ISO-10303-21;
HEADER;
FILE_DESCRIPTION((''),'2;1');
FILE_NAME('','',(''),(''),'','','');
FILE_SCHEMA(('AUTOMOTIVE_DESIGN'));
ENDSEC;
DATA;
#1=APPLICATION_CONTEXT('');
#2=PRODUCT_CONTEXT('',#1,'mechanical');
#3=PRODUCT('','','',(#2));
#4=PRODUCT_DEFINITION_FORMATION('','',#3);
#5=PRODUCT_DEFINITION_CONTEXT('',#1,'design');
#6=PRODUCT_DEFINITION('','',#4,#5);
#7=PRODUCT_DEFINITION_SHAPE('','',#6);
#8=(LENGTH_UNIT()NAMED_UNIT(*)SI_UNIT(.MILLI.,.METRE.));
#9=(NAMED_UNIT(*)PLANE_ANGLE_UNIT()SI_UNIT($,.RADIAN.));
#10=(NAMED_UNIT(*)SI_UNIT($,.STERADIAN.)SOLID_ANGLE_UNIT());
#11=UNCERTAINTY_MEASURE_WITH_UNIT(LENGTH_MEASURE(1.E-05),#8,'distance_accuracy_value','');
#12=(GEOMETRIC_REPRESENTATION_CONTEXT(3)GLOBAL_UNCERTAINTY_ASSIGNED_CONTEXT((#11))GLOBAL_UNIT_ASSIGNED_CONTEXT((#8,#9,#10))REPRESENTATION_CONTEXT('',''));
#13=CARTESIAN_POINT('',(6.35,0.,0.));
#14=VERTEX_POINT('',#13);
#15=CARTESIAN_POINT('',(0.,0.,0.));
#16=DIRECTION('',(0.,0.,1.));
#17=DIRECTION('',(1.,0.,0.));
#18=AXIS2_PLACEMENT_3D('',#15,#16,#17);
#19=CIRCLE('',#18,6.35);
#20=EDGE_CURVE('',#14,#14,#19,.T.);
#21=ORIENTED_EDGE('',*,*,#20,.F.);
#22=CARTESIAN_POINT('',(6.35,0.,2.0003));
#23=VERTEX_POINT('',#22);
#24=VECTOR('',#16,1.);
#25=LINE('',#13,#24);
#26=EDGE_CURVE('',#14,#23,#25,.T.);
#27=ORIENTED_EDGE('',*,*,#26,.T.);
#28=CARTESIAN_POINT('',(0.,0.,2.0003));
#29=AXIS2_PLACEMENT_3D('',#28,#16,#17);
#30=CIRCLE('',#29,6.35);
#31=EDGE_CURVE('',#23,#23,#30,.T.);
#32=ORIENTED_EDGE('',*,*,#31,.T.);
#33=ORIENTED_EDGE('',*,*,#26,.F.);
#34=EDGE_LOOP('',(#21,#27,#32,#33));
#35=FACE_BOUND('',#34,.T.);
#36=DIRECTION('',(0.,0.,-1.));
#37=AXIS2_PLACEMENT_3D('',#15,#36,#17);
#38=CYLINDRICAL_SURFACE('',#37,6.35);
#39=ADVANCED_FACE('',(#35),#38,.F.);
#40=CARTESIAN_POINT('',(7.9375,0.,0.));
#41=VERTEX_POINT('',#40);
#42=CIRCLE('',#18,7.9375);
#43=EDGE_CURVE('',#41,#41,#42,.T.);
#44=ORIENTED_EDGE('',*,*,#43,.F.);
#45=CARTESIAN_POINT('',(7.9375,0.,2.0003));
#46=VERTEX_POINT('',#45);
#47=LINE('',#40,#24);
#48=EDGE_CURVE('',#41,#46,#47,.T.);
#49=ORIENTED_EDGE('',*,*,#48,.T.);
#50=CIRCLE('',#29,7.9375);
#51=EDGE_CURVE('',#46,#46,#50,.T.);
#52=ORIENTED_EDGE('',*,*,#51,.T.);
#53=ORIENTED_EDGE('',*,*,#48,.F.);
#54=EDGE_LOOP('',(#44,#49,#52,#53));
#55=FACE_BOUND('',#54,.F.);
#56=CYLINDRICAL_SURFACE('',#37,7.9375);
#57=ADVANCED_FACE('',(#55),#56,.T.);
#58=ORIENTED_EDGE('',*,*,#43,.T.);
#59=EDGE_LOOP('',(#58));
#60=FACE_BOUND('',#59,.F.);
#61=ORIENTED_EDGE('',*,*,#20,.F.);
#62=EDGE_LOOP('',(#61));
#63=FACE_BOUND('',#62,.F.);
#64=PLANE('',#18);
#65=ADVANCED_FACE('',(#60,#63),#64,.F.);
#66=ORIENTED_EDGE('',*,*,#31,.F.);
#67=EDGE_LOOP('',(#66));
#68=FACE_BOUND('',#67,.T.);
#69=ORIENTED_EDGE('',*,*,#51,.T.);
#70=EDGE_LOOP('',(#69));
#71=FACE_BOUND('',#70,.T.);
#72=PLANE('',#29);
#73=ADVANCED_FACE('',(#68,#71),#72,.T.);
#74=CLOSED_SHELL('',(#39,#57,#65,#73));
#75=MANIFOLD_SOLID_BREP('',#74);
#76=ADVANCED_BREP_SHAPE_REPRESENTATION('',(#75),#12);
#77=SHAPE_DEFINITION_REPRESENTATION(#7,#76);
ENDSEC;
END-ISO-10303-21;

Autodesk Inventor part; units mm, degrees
ref_plane "YZ Plane" through (0, 0, 0) normal (1, 0, 0) x (0, 1, 0)
ref_plane "XZ Plane" through (0, 0, 0) normal (0, 1, 0) x (-1, 0, 0)
ref_plane "XY Plane" through (0, 0, 0) normal (0, 0, 1) x (1, 0, 0)
sketch "Sketch1" plane through (0, 0, 0) normal (0, 0, 1) x (1, 0, 0)
  circle A0 centre (0, 0) radius 6.35
  circle A1 centre (0, 0) radius 7.9375
  dimension "d0" = 12.7
  dimension "d1" = 15.875
extrude "Extrusion1" add sketch "Sketch1" along normal blind 2.0003
properties part number "Cluster Shaft Spacer"
